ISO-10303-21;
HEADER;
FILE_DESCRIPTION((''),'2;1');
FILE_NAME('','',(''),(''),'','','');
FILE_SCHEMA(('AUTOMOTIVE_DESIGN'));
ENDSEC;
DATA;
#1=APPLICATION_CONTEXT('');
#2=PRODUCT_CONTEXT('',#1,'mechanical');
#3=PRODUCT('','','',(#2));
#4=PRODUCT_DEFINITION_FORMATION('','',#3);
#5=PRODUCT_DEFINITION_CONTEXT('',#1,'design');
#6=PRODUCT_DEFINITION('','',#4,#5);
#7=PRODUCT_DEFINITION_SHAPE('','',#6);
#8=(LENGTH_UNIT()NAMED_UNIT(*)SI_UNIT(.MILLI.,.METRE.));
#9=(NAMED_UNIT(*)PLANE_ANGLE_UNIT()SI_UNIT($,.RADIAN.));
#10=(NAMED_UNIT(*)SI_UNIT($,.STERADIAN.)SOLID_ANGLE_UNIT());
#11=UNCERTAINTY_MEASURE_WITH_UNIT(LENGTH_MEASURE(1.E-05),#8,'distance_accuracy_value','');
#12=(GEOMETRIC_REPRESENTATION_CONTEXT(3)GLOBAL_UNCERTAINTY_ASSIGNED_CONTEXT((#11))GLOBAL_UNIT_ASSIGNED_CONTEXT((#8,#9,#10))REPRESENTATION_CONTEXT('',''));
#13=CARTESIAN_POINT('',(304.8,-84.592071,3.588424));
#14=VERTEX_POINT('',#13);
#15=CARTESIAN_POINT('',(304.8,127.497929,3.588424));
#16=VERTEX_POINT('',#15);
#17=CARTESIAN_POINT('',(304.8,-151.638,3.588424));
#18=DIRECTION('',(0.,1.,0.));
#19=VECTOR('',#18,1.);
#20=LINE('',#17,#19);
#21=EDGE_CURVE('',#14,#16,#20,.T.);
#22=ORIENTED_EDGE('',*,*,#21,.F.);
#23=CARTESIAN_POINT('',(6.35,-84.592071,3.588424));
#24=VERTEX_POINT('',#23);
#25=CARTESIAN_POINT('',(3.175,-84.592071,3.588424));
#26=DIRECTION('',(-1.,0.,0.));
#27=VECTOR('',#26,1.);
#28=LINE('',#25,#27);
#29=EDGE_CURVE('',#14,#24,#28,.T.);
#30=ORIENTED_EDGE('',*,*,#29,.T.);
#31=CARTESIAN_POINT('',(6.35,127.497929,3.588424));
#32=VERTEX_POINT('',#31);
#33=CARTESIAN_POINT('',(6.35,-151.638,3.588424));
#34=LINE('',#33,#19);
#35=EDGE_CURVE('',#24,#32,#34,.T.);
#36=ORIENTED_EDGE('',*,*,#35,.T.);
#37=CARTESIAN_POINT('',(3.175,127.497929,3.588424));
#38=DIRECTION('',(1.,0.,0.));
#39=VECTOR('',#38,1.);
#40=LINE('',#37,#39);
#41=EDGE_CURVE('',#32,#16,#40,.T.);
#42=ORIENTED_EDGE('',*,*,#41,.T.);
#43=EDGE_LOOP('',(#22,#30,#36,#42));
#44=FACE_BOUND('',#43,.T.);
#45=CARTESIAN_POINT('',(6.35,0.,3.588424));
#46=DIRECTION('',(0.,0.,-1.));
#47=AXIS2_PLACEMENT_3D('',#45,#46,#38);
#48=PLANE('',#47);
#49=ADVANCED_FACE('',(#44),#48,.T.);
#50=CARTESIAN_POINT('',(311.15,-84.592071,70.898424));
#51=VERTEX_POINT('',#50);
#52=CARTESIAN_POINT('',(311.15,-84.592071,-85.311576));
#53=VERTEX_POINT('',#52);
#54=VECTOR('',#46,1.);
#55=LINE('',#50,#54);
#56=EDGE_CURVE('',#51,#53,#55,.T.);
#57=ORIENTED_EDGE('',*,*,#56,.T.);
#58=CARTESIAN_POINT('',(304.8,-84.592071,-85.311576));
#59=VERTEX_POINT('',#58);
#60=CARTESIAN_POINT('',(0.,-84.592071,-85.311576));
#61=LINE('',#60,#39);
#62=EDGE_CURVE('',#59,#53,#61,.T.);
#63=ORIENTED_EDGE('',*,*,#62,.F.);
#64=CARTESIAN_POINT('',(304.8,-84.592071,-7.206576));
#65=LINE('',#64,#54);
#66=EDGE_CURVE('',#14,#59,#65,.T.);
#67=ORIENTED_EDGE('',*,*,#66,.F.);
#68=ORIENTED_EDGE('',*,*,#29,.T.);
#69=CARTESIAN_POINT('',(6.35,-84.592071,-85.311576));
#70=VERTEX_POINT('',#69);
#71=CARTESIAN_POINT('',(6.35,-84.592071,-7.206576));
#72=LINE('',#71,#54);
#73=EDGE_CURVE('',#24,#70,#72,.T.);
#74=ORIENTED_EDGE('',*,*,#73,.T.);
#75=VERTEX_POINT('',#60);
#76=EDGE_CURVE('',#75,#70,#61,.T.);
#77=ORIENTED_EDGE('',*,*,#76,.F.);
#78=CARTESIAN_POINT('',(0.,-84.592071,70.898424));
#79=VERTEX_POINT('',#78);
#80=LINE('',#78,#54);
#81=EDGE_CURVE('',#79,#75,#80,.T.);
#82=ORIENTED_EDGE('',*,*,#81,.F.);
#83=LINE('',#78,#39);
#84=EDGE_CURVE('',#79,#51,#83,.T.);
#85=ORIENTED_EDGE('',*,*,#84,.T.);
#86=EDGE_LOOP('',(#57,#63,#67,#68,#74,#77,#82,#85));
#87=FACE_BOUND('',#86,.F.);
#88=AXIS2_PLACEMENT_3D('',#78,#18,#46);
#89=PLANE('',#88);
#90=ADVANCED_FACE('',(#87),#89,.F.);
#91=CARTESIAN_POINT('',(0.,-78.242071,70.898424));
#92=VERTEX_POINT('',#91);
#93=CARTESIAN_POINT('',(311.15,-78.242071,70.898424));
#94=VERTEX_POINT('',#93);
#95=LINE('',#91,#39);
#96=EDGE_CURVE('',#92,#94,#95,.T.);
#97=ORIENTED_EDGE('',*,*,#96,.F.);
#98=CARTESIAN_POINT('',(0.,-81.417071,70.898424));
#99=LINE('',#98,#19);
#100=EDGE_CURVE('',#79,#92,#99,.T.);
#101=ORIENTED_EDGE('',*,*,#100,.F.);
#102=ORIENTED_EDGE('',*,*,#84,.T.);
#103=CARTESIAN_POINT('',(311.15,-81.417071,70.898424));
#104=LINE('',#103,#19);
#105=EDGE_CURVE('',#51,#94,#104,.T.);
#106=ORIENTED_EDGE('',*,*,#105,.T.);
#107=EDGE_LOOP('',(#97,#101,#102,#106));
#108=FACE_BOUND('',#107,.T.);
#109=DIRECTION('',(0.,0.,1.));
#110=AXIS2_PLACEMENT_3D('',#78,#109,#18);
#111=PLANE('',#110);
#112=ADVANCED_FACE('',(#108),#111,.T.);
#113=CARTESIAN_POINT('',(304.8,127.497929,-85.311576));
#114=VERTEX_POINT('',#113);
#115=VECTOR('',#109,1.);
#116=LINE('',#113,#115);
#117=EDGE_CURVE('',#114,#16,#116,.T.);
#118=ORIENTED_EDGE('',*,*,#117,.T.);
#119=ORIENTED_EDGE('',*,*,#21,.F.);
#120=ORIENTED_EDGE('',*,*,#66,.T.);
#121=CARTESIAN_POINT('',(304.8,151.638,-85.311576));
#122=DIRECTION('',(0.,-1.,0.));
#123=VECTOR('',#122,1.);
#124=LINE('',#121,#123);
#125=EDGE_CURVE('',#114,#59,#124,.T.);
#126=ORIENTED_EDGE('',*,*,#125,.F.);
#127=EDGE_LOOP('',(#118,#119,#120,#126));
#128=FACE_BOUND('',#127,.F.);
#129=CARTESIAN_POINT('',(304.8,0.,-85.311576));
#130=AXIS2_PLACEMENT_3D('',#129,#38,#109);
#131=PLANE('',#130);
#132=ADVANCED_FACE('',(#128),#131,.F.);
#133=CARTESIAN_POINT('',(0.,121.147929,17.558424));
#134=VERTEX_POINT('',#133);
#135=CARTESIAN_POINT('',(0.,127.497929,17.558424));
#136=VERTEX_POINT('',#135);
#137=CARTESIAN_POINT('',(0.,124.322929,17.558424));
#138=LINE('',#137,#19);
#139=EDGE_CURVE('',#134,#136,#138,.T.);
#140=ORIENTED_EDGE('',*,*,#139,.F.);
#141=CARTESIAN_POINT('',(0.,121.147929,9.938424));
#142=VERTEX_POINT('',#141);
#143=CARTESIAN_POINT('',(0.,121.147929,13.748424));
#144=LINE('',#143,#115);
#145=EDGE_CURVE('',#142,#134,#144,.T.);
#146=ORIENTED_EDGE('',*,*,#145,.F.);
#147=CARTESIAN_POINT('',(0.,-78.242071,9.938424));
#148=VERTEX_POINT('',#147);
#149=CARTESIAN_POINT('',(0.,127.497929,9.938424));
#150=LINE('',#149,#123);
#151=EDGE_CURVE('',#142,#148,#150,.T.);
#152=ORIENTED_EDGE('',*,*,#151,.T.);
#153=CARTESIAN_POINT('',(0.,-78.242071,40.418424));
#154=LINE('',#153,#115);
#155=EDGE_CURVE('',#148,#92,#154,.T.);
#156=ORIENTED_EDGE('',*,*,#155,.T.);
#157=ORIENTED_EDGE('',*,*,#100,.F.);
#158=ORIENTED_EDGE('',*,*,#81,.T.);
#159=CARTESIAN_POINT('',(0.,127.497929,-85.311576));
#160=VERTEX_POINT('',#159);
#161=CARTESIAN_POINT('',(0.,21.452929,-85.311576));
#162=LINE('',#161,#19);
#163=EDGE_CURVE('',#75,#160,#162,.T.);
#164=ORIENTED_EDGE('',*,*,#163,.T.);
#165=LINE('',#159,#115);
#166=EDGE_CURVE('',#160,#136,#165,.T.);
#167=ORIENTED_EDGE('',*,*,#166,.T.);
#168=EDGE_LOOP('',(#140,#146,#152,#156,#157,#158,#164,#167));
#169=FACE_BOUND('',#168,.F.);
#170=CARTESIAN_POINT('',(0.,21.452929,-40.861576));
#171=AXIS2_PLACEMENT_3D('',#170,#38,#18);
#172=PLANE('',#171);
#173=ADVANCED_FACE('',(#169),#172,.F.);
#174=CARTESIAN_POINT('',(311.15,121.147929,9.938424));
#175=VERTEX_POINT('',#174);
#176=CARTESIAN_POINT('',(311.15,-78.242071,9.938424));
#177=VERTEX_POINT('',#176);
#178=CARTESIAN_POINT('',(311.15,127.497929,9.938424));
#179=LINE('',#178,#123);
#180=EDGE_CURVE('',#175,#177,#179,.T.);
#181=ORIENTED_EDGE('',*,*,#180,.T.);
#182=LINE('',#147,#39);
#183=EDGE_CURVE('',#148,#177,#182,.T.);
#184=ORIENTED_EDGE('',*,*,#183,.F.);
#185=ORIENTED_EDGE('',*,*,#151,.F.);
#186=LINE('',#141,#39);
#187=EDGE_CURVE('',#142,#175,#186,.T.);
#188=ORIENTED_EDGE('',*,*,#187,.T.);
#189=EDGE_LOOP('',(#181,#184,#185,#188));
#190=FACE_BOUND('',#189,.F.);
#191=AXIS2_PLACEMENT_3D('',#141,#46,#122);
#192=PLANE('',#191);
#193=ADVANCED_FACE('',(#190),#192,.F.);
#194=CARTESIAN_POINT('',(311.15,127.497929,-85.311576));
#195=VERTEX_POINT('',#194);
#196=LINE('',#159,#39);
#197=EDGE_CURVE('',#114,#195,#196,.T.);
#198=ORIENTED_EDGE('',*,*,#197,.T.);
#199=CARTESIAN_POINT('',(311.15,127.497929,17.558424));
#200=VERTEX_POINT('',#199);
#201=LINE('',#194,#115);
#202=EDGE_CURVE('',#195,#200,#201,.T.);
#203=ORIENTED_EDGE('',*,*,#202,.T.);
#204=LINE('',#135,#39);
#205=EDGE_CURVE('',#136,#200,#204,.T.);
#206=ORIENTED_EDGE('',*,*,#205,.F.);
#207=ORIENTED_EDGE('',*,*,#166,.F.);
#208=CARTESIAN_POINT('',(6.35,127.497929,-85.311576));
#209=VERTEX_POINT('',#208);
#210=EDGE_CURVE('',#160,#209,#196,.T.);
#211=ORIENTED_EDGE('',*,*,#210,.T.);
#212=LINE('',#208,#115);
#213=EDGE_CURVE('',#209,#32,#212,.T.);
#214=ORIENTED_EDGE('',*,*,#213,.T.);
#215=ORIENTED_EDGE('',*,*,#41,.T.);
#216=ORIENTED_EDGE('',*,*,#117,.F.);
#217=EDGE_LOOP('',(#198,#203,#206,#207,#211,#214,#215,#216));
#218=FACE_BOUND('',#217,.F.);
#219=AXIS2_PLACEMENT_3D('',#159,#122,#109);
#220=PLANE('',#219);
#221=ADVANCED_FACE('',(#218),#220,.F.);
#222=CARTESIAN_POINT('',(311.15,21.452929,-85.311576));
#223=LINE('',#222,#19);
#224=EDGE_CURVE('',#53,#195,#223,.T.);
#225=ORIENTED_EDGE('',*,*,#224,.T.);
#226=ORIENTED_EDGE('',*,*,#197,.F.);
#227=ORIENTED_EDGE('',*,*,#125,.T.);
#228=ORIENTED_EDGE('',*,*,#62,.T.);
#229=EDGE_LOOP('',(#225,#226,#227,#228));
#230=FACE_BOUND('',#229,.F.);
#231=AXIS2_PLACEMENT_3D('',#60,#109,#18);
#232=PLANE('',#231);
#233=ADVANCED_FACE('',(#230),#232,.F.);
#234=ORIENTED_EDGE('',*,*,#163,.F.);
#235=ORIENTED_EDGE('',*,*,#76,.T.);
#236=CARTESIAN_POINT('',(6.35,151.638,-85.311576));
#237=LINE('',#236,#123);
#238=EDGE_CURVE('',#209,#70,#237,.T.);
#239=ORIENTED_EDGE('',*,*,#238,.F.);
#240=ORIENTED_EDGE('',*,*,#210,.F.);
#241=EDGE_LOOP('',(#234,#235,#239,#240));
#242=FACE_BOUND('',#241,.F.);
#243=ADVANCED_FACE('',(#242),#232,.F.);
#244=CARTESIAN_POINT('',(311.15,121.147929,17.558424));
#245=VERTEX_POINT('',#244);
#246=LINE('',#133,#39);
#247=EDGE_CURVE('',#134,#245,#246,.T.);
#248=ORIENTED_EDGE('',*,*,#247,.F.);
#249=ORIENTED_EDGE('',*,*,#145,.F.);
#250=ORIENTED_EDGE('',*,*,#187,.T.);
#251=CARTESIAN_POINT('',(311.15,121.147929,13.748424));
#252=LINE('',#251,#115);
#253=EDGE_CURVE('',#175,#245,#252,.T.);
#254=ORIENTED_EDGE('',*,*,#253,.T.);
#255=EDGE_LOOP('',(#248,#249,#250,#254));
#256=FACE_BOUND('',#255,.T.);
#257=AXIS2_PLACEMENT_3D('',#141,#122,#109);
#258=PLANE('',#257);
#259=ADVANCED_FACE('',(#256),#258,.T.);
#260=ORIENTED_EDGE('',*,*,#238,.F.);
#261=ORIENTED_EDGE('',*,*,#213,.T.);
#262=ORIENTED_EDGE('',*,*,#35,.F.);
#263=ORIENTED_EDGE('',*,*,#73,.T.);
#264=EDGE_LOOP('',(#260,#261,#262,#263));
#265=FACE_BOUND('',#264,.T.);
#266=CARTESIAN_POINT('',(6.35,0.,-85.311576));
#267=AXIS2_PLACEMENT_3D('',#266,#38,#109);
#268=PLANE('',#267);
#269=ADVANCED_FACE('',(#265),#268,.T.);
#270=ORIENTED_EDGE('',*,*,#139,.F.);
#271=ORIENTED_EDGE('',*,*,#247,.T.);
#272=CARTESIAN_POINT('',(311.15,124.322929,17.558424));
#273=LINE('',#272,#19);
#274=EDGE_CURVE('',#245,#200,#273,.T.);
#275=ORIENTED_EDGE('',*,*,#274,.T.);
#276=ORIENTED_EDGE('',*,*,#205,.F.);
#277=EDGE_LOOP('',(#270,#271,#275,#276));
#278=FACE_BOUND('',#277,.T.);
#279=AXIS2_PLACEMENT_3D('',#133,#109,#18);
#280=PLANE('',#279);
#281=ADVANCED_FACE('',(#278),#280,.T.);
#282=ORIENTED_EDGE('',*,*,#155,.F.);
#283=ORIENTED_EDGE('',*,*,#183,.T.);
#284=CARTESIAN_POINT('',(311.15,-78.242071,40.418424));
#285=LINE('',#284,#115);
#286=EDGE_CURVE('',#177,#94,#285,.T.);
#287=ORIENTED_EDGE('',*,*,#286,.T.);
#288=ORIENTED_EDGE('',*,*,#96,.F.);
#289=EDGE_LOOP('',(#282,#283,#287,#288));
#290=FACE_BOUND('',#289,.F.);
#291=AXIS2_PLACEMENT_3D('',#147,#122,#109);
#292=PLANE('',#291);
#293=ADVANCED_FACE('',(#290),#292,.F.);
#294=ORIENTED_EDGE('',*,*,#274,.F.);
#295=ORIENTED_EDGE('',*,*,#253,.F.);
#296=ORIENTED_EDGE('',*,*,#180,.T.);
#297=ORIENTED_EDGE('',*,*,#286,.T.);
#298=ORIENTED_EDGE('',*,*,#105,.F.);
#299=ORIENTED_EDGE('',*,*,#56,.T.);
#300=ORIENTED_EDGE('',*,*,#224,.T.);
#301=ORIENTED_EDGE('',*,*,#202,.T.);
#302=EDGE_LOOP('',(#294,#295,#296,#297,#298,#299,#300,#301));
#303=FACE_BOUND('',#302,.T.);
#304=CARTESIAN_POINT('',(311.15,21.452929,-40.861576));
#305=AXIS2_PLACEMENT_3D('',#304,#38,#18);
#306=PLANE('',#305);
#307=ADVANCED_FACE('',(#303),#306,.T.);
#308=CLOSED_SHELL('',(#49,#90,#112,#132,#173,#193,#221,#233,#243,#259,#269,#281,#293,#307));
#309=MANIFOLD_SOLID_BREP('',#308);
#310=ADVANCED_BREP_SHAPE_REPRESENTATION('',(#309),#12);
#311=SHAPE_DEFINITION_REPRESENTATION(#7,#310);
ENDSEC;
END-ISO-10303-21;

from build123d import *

# Parameters (mm, degrees)
F0_W     = 212.09
F0_H     = 88.9
F0_W_2   = 6.35
F0_H_2   = 7.62
F0_H_3   = 60.96
F1_DEPTH = 311.15
F2_W     = 298.45
F2_H     = 88.9
F3_DEPTH = 151.638


with BuildPart() as f1:
    # F0 (on Right) → F1 (new body)
    with BuildSketch(Plane.YZ):
        with Locations((21.452929, -40.861576)):
            Rectangle(F0_W, F0_H)
        Polygon((-78.242071, 9.938424), (-84.592071, 9.938424), (-84.592071, 3.588424), (127.497929, 3.588424), (127.497929, 9.938424), (121.147929, 9.938424), align=None)
        with Locations((124.322929, 13.748424)):
            Rectangle(F0_W_2, F0_H_2)
        with Locations((-81.417071, 40.418424)):
            Rectangle(F0_W_2, F0_H_3)
    extrude(amount=F1_DEPTH)

    # F2 (on Front) → F3 (cut, symmetric)
    with BuildSketch(Plane.XZ):
        with Locations((155.575, -40.861576)):
            Rectangle(F2_W, F2_H)
    extrude(amount=F3_DEPTH, both=True, mode=Mode.SUBTRACT)


solid = f1.part
